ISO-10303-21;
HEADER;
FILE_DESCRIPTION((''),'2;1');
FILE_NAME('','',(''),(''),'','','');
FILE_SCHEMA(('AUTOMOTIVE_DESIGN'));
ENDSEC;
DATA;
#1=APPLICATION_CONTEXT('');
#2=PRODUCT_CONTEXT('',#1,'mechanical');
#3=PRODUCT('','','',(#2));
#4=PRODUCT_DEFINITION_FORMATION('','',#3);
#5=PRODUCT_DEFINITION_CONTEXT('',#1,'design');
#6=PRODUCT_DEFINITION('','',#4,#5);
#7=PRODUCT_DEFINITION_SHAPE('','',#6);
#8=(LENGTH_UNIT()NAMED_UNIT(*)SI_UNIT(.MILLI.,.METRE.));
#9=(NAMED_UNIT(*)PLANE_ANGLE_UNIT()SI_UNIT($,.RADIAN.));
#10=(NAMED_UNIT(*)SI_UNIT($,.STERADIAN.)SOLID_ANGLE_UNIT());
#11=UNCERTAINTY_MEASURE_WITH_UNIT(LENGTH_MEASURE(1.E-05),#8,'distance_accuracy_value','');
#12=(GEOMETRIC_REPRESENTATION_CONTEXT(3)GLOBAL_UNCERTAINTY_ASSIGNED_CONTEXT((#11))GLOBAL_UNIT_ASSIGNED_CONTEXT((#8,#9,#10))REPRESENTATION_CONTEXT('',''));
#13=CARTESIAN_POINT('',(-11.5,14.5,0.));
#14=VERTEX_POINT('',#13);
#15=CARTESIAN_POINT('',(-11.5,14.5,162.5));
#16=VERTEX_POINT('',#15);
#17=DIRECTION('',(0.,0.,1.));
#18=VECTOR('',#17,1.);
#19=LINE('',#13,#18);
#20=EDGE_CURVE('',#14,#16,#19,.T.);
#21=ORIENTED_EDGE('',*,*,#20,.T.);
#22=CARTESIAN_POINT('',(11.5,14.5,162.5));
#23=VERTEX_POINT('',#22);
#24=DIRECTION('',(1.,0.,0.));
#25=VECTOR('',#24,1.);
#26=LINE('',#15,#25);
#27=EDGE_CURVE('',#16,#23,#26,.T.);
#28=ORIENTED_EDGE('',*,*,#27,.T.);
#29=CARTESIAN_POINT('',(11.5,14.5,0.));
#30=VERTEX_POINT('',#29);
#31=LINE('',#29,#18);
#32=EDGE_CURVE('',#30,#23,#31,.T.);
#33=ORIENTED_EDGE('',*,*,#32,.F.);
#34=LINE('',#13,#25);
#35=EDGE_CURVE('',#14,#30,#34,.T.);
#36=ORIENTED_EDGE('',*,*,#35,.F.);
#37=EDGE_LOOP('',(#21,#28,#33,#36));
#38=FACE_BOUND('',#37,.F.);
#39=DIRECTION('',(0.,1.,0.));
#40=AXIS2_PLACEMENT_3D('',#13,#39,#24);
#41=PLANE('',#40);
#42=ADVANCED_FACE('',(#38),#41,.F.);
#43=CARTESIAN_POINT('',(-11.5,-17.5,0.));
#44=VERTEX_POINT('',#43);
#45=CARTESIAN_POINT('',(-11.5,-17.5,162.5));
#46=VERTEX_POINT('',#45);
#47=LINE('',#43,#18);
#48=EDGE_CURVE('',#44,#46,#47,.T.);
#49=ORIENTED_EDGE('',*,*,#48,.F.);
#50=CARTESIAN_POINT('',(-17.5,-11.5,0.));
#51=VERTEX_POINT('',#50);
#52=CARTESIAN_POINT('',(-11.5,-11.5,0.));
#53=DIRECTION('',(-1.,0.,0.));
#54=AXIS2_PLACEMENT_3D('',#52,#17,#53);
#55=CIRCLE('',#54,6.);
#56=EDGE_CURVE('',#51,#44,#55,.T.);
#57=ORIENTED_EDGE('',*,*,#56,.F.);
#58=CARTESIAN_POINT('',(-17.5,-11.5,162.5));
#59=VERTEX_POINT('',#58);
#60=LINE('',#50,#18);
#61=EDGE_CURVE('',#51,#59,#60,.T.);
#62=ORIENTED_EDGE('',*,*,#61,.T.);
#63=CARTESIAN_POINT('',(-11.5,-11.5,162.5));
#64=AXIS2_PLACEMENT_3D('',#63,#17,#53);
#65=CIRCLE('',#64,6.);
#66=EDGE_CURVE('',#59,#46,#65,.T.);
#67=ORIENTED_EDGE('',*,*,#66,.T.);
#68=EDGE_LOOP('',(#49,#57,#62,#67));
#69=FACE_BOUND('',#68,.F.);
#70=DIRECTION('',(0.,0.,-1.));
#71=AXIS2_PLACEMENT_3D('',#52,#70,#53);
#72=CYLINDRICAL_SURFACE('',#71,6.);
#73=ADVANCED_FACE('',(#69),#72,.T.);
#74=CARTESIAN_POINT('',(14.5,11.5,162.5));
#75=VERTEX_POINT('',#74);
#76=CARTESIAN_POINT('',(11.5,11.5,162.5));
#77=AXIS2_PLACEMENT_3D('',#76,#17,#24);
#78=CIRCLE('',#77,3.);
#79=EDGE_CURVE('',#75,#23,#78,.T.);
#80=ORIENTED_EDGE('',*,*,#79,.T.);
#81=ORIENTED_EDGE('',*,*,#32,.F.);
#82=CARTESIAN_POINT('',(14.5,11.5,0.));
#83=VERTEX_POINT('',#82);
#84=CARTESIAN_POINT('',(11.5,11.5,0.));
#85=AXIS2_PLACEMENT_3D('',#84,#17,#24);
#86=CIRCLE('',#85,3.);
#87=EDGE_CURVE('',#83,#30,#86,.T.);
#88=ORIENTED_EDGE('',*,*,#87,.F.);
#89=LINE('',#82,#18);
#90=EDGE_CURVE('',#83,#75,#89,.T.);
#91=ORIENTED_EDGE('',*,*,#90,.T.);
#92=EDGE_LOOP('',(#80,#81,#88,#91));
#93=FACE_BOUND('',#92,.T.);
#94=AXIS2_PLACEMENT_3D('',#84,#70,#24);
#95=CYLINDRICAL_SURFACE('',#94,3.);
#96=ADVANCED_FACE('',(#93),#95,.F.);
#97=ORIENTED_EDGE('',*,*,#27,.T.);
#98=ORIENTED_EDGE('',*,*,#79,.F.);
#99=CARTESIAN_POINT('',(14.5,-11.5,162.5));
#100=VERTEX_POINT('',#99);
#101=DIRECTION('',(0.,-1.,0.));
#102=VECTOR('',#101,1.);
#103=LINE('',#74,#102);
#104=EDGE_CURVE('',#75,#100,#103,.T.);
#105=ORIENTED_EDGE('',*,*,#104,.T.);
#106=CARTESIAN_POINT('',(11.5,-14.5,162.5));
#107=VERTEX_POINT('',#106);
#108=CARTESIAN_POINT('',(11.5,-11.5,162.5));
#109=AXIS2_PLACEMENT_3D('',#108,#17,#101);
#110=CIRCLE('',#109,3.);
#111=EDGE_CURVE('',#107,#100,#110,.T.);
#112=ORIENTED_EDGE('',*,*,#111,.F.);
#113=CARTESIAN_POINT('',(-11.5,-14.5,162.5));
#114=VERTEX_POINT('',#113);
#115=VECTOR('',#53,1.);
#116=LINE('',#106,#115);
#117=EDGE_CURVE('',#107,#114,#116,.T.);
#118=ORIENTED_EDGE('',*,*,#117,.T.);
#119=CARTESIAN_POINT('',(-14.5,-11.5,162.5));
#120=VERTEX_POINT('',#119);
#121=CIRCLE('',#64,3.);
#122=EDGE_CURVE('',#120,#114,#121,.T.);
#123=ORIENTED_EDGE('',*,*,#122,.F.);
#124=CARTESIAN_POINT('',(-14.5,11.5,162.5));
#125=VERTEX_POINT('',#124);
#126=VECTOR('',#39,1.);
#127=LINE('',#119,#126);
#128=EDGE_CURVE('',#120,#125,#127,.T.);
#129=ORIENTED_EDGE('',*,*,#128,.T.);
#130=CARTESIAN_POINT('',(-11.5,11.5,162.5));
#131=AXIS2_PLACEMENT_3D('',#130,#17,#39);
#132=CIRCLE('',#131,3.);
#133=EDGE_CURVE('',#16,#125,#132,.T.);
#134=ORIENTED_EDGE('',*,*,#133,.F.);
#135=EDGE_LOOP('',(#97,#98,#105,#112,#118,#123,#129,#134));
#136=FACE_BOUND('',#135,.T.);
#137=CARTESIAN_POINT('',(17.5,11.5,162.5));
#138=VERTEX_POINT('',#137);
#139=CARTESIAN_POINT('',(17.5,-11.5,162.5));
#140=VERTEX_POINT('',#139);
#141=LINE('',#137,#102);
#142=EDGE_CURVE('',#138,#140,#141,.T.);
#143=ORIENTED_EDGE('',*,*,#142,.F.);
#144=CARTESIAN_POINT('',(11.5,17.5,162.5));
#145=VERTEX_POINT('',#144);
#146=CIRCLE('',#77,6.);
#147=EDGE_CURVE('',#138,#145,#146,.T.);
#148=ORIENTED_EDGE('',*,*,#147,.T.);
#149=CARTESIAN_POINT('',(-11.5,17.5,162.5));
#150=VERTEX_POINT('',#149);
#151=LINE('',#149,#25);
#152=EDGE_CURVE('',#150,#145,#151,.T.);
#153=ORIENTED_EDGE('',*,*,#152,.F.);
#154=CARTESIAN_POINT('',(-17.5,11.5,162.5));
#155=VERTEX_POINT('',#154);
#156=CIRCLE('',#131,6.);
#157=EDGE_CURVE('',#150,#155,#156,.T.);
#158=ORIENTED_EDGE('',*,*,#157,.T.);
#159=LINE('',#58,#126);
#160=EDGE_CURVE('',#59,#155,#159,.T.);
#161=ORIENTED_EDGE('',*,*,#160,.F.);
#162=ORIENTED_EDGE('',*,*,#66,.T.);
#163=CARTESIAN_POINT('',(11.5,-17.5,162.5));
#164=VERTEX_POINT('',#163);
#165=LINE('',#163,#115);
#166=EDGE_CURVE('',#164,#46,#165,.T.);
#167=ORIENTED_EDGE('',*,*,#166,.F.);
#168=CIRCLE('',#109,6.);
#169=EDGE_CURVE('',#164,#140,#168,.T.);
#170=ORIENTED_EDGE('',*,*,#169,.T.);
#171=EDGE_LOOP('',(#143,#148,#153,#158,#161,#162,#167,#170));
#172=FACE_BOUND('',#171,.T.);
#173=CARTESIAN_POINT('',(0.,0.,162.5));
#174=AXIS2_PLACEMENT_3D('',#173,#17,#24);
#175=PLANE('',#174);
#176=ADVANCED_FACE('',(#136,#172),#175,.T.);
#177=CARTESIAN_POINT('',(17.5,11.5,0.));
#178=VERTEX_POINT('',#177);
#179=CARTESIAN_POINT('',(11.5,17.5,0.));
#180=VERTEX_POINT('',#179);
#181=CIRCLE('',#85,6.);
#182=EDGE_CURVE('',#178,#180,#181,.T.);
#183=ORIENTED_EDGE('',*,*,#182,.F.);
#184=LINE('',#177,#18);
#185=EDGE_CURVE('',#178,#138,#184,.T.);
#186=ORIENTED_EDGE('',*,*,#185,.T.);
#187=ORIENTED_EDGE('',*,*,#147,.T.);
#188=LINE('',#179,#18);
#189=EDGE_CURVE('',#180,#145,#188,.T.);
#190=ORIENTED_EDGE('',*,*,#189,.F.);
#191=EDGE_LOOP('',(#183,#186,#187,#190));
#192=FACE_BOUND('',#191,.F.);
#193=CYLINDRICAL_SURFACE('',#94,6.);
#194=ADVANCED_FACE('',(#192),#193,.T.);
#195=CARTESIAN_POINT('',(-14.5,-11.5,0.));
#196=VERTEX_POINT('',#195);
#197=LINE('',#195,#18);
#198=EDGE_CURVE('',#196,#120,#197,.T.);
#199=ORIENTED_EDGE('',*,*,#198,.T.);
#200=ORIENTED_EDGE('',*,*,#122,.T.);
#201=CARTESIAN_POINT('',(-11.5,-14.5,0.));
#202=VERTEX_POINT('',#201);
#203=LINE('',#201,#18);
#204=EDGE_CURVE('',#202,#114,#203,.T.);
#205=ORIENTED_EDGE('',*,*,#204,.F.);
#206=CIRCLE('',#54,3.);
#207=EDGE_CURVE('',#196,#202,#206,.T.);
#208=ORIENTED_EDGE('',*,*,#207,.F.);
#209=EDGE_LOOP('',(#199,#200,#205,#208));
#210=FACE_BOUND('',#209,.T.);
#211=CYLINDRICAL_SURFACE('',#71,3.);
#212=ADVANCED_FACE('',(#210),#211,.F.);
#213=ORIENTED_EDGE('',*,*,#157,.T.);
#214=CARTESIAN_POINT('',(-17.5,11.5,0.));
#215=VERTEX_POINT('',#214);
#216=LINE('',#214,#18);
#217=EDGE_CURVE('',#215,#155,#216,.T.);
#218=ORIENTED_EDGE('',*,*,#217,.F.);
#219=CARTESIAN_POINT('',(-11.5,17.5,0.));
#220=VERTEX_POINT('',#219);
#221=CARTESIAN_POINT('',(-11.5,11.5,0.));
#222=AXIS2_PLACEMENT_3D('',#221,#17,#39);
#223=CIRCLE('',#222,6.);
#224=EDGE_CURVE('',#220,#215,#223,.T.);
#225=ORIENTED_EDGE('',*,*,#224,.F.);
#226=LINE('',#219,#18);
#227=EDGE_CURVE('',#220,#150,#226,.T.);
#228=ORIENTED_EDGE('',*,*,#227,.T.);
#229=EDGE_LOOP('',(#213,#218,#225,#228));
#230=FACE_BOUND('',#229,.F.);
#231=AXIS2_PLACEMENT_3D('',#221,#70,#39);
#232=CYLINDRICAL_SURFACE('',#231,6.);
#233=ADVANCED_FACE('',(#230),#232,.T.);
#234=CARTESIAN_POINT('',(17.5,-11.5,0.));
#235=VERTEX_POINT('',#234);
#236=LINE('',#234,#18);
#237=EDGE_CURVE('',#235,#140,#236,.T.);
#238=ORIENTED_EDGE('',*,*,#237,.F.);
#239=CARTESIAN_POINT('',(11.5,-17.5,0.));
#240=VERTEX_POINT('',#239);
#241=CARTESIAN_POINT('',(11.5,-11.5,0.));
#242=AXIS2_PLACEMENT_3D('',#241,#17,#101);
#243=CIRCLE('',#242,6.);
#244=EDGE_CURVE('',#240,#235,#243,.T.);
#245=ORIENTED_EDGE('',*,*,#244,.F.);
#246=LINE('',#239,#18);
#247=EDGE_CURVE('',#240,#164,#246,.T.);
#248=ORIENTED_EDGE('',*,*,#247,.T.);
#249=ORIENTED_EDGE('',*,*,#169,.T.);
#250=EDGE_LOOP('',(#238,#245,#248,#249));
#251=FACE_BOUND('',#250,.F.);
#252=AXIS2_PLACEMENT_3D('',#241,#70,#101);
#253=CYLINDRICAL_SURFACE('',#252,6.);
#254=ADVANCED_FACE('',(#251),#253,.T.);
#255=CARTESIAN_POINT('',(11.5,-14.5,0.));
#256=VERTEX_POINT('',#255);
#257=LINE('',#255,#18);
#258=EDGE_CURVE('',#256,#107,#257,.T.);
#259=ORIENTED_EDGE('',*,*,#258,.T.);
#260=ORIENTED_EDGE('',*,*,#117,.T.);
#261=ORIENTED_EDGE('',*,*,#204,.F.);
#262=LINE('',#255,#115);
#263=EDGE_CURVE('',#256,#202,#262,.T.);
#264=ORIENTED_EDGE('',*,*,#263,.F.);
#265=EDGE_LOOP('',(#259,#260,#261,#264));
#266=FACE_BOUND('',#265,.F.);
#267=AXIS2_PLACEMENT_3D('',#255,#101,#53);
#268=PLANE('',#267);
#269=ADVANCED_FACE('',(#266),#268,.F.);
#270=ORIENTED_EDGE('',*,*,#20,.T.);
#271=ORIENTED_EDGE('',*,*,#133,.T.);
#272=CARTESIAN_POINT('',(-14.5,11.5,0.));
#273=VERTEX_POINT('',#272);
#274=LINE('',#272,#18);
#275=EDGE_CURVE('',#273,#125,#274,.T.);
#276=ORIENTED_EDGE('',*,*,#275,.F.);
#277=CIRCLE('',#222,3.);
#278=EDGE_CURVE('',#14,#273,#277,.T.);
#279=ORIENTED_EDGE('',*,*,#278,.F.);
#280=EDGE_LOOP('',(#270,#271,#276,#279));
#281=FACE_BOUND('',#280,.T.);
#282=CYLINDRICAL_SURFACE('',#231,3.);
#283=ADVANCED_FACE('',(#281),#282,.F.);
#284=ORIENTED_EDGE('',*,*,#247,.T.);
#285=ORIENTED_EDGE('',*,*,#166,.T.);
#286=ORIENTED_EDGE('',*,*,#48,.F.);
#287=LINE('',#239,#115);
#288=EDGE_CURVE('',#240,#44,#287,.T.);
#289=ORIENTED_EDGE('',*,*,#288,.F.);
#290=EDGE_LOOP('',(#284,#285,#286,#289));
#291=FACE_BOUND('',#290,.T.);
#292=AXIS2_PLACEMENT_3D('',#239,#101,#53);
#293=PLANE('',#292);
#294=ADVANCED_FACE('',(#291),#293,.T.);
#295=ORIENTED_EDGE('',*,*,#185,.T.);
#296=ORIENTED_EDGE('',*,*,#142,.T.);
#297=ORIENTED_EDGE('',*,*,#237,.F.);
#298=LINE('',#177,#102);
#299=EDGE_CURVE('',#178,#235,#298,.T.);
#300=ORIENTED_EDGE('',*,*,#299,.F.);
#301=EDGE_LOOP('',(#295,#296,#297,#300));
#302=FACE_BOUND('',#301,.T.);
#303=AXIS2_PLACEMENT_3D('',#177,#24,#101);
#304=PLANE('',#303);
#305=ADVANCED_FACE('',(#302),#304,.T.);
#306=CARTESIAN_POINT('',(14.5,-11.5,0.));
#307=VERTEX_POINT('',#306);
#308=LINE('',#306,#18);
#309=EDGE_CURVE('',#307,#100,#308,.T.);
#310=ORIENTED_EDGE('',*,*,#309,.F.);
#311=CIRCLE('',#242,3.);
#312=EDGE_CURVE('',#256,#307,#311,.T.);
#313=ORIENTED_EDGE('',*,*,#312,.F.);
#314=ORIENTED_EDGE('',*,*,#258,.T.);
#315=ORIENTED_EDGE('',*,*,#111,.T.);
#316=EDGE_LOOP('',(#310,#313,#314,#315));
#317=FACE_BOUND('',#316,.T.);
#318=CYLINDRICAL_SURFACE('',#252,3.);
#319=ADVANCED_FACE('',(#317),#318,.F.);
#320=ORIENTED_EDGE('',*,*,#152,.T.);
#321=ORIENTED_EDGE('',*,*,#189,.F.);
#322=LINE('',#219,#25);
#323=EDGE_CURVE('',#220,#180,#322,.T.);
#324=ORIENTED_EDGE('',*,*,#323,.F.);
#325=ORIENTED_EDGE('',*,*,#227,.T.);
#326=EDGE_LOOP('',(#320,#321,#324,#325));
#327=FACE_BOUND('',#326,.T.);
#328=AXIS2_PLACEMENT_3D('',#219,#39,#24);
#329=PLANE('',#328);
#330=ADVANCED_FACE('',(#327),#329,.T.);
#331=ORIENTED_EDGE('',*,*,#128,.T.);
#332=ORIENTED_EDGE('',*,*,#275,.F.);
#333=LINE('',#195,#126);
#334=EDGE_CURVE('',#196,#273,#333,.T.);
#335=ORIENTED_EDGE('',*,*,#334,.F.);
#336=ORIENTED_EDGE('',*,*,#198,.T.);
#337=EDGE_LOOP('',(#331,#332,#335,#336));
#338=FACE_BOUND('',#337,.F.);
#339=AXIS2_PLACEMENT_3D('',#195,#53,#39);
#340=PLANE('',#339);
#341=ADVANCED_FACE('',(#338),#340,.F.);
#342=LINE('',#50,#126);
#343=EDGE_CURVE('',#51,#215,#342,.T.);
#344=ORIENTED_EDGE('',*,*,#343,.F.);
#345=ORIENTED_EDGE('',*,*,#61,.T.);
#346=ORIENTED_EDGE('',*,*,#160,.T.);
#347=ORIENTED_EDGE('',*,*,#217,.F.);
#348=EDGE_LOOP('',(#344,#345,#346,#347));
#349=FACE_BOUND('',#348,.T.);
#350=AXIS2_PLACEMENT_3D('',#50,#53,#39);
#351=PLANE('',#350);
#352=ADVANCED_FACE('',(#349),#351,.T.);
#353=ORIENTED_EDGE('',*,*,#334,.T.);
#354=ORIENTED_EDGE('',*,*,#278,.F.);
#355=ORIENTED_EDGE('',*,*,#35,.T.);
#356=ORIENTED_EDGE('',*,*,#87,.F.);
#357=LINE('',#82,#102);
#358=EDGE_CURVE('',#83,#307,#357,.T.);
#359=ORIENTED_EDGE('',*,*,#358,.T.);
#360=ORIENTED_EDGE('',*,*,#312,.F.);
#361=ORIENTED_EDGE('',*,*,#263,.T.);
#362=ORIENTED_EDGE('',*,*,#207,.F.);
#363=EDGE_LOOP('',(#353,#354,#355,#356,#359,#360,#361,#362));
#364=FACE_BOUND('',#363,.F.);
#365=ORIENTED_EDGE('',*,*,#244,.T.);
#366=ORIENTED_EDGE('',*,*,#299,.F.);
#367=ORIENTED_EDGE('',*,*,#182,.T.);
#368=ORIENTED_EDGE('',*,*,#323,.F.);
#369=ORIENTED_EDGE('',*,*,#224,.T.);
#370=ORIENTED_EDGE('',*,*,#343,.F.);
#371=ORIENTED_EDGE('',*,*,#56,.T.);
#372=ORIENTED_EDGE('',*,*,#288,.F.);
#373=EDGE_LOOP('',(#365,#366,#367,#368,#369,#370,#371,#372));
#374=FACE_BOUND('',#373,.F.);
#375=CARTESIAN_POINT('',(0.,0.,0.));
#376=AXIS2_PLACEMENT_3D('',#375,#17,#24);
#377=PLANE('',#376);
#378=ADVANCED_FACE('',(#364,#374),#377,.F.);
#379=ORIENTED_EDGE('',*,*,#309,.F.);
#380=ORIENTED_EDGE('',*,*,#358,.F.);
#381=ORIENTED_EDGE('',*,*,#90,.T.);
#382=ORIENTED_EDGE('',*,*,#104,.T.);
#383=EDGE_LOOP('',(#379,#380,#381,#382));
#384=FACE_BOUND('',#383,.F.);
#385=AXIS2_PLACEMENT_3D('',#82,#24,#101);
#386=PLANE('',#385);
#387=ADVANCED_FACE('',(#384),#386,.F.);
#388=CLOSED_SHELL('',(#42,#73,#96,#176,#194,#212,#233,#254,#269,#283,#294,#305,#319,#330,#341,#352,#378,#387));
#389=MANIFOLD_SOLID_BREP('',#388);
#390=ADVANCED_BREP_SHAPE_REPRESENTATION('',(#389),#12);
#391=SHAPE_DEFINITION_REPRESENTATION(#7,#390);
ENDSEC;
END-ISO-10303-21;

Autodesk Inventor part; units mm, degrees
ref_plane "Start plane" through (0, 0, 0) normal (0, 0, 1) x (1, 0, 0)
ref_plane "End plane" through (0, 0, 162.5) normal (0, 0, 1) x (1, 0, 0)
sketch "Sketch" plane through (0, 0, 0) normal (0, 0, 1) x (1, 0, 0)
  line L0 (-17.5, -11.5) -> (-17.5, 11.5)
  line L1 (-11.5, 17.5) -> (11.5, 17.5)
  line L2 (17.5, 11.5) -> (17.5, -11.5)
  line L3 (11.5, -17.5) -> (-11.5, -17.5)
  arc A0 (-17.5, -11.5) -> (-11.5, -17.5) centre (-11.5, -11.5) ccw
  arc A1 (-11.5, 17.5) -> (-17.5, 11.5) centre (-11.5, 11.5) ccw
  arc A2 (17.5, 11.5) -> (11.5, 17.5) centre (11.5, 11.5) ccw
  arc A3 (11.5, -17.5) -> (17.5, -11.5) centre (11.5, -11.5) ccw
  arc A4 (-11.5, 14.5) -> (-14.5, 11.5) centre (-11.5, 11.5) ccw
  line L4 (-11.5, 14.5) -> (11.5, 14.5)
  arc A5 (14.5, 11.5) -> (11.5, 14.5) centre (11.5, 11.5) ccw
  line L5 (14.5, 11.5) -> (14.5, -11.5)
  arc A6 (11.5, -14.5) -> (14.5, -11.5) centre (11.5, -11.5) ccw
  line L6 (11.5, -14.5) -> (-11.5, -14.5)
  arc A7 (-14.5, -11.5) -> (-11.5, -14.5) centre (-11.5, -11.5) ccw
  line L7 (-14.5, -11.5) -> (-14.5, 11.5)
  line L8 (0, 25.4278) -> (0, -25.4278) construction
  line L9 (-25.4278, 0) -> (25.4278, 0) construction
  dimension "d7" = 6
  dimension "d10" = 35
  dimension "d11" = 35
  dimension "d12" = 3
  dimension "d15" = 17.5
  dimension "d16" = 17.5
extrude "Body" add sketch "Sketch" along normal up to surface (162.5 mm away) from surface at 0
sketch "Sketch3" plane through (0, 0, 0) normal (0, 0, 1) x (1, 0, 0)
  line L0 (0, 0) -> (10, 0)
ref_plane "Work Plane3" through (0, 0, 0) normal (0, -1, 0) x (1, 0, 0)
sketch "Sketch4" plane through (0, 0, 0) normal (0, -1, 0) x (1, 0, 0)
  line L0 (-2, 0) -> (12, 0)
  line L1 (-2, 162.5) -> (12, 162.5)
  dimension "d18" = 162.5
ref_plane "Work Plane6" through (0, -17.5, 162.5) normal (0, 0, 1) x (1, 0, 0)
split "Split3" plane through (0, -17.5, 162.5) removes the side toward (0, 0, 1)
equation "\"d7\" = G_IR"
equation "\"d10\" = G_H"
equation "\"d11\" = G_W"
equation "\"d12\" = G_T"
equation "\"d15\" = 0.5 * d10"
equation "\"d16\" = 0.5 * d11"
equation "\"d3\" = G_L"
equation "\"G_W\" = 35"
equation "\"G_H\" = 35"
equation "\"G_T\" = 3"
equation "\"G_IR\" = 6"
equation "\"G_L\" = d18"
equation "\"G_OFFSET_START\" = 0"
equation "\"G_OFFSET_END\" = -17.5"
equation "\"d14\" = G_OFFSET_END + B_L"
equation "\"B_L\" = 180"
properties part number "AS 1163 - C350L0 35x35x3.0 SHS - 162.5" material "Steel, Mild"
